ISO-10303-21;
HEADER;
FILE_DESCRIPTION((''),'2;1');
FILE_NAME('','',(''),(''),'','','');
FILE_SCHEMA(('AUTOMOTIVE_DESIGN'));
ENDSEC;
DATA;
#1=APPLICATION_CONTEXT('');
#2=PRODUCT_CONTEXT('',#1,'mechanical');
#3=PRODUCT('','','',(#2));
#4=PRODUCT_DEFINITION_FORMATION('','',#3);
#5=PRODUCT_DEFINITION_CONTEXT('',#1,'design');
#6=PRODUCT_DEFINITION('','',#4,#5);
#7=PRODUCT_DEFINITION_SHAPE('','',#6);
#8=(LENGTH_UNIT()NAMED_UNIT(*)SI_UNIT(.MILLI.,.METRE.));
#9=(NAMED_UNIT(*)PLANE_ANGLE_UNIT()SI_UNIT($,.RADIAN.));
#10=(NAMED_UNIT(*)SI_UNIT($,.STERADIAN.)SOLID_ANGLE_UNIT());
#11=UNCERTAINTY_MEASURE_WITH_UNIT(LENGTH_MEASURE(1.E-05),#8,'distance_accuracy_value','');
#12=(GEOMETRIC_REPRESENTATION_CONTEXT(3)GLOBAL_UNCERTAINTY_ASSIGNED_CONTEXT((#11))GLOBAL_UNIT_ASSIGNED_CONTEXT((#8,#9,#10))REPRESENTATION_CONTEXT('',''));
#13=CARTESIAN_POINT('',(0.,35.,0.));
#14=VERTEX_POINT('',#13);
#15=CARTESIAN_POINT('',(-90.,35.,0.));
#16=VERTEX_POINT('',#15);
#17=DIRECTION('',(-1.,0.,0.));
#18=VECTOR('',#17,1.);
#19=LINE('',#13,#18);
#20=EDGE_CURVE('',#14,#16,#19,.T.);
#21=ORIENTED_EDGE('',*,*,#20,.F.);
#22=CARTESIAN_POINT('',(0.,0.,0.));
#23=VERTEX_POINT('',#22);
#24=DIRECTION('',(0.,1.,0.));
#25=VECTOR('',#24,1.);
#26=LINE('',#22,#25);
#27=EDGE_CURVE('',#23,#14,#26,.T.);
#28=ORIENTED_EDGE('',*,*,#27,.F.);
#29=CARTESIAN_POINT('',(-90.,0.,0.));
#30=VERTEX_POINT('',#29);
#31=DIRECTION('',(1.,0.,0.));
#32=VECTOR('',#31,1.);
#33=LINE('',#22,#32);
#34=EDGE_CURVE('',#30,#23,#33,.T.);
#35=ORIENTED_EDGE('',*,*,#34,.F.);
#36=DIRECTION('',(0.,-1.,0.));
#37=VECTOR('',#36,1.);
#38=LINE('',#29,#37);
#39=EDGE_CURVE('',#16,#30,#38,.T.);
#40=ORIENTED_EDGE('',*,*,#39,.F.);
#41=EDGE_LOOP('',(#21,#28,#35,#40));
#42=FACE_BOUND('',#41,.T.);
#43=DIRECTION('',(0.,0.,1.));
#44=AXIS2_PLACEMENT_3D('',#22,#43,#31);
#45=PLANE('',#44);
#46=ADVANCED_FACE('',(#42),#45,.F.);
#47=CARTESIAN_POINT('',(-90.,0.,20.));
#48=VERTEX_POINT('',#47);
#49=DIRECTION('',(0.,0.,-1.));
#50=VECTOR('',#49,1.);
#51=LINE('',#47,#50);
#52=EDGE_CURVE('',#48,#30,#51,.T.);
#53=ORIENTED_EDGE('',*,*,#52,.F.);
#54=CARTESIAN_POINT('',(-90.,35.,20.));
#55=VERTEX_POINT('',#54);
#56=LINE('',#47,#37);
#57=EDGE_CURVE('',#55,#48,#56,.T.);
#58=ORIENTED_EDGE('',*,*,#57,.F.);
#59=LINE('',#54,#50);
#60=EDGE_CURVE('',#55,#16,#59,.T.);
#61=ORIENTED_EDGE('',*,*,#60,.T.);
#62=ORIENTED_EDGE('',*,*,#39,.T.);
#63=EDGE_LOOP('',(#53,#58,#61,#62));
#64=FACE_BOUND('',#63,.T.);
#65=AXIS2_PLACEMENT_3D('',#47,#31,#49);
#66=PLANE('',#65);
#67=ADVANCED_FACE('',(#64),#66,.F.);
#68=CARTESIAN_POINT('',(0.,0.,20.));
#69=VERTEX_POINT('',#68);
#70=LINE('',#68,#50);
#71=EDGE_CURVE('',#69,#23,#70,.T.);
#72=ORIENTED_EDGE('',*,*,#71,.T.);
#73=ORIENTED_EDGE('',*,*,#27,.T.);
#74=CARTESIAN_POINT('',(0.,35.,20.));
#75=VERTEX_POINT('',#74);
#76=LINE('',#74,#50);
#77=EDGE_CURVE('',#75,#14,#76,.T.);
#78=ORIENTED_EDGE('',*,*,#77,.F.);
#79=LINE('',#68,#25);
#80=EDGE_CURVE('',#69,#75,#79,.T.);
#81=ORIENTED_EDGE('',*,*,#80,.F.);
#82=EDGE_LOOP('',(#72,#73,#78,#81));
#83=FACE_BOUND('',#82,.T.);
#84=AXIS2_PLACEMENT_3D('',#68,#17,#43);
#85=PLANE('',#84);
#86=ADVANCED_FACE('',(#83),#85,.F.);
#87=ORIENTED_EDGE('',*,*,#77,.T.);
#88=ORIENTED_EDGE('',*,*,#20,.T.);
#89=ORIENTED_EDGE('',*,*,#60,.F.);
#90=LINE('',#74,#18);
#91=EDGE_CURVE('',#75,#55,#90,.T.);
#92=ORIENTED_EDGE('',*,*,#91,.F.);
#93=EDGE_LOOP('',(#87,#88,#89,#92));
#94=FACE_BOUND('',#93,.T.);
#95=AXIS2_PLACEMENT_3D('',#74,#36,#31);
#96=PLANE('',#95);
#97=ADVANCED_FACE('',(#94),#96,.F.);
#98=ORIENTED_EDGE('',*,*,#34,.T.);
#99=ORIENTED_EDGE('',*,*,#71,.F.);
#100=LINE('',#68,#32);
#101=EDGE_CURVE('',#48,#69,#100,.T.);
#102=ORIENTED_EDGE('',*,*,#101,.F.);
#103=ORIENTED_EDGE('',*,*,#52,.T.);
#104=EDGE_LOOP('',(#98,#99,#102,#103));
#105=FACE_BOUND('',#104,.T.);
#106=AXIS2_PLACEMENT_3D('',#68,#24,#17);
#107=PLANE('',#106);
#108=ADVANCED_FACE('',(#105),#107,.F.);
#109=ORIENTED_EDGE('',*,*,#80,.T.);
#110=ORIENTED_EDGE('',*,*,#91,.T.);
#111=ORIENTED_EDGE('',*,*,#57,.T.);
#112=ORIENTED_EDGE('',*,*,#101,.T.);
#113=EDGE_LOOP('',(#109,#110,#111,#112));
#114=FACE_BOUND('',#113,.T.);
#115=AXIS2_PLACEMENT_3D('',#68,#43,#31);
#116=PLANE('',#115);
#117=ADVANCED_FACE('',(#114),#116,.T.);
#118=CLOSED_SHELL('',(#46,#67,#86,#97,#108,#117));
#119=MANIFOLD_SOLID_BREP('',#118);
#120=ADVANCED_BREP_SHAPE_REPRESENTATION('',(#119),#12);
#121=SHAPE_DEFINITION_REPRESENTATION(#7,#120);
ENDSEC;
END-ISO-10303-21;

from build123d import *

# Parameters (mm, degrees)
ESQUISSE1_W        = 90
ESQUISSE1_H        = 35
BOSS_EXTRU_1_DEPTH = 20


with BuildPart() as part:
    # Esquisse1 → Boss.-Extru.1 (new body)
    with BuildSketch(Plane.XY):
        with Locations((-45, 17.5)):
            Rectangle(ESQUISSE1_W, ESQUISSE1_H)
    extrude(amount=BOSS_EXTRU_1_DEPTH)


solid = part.part
